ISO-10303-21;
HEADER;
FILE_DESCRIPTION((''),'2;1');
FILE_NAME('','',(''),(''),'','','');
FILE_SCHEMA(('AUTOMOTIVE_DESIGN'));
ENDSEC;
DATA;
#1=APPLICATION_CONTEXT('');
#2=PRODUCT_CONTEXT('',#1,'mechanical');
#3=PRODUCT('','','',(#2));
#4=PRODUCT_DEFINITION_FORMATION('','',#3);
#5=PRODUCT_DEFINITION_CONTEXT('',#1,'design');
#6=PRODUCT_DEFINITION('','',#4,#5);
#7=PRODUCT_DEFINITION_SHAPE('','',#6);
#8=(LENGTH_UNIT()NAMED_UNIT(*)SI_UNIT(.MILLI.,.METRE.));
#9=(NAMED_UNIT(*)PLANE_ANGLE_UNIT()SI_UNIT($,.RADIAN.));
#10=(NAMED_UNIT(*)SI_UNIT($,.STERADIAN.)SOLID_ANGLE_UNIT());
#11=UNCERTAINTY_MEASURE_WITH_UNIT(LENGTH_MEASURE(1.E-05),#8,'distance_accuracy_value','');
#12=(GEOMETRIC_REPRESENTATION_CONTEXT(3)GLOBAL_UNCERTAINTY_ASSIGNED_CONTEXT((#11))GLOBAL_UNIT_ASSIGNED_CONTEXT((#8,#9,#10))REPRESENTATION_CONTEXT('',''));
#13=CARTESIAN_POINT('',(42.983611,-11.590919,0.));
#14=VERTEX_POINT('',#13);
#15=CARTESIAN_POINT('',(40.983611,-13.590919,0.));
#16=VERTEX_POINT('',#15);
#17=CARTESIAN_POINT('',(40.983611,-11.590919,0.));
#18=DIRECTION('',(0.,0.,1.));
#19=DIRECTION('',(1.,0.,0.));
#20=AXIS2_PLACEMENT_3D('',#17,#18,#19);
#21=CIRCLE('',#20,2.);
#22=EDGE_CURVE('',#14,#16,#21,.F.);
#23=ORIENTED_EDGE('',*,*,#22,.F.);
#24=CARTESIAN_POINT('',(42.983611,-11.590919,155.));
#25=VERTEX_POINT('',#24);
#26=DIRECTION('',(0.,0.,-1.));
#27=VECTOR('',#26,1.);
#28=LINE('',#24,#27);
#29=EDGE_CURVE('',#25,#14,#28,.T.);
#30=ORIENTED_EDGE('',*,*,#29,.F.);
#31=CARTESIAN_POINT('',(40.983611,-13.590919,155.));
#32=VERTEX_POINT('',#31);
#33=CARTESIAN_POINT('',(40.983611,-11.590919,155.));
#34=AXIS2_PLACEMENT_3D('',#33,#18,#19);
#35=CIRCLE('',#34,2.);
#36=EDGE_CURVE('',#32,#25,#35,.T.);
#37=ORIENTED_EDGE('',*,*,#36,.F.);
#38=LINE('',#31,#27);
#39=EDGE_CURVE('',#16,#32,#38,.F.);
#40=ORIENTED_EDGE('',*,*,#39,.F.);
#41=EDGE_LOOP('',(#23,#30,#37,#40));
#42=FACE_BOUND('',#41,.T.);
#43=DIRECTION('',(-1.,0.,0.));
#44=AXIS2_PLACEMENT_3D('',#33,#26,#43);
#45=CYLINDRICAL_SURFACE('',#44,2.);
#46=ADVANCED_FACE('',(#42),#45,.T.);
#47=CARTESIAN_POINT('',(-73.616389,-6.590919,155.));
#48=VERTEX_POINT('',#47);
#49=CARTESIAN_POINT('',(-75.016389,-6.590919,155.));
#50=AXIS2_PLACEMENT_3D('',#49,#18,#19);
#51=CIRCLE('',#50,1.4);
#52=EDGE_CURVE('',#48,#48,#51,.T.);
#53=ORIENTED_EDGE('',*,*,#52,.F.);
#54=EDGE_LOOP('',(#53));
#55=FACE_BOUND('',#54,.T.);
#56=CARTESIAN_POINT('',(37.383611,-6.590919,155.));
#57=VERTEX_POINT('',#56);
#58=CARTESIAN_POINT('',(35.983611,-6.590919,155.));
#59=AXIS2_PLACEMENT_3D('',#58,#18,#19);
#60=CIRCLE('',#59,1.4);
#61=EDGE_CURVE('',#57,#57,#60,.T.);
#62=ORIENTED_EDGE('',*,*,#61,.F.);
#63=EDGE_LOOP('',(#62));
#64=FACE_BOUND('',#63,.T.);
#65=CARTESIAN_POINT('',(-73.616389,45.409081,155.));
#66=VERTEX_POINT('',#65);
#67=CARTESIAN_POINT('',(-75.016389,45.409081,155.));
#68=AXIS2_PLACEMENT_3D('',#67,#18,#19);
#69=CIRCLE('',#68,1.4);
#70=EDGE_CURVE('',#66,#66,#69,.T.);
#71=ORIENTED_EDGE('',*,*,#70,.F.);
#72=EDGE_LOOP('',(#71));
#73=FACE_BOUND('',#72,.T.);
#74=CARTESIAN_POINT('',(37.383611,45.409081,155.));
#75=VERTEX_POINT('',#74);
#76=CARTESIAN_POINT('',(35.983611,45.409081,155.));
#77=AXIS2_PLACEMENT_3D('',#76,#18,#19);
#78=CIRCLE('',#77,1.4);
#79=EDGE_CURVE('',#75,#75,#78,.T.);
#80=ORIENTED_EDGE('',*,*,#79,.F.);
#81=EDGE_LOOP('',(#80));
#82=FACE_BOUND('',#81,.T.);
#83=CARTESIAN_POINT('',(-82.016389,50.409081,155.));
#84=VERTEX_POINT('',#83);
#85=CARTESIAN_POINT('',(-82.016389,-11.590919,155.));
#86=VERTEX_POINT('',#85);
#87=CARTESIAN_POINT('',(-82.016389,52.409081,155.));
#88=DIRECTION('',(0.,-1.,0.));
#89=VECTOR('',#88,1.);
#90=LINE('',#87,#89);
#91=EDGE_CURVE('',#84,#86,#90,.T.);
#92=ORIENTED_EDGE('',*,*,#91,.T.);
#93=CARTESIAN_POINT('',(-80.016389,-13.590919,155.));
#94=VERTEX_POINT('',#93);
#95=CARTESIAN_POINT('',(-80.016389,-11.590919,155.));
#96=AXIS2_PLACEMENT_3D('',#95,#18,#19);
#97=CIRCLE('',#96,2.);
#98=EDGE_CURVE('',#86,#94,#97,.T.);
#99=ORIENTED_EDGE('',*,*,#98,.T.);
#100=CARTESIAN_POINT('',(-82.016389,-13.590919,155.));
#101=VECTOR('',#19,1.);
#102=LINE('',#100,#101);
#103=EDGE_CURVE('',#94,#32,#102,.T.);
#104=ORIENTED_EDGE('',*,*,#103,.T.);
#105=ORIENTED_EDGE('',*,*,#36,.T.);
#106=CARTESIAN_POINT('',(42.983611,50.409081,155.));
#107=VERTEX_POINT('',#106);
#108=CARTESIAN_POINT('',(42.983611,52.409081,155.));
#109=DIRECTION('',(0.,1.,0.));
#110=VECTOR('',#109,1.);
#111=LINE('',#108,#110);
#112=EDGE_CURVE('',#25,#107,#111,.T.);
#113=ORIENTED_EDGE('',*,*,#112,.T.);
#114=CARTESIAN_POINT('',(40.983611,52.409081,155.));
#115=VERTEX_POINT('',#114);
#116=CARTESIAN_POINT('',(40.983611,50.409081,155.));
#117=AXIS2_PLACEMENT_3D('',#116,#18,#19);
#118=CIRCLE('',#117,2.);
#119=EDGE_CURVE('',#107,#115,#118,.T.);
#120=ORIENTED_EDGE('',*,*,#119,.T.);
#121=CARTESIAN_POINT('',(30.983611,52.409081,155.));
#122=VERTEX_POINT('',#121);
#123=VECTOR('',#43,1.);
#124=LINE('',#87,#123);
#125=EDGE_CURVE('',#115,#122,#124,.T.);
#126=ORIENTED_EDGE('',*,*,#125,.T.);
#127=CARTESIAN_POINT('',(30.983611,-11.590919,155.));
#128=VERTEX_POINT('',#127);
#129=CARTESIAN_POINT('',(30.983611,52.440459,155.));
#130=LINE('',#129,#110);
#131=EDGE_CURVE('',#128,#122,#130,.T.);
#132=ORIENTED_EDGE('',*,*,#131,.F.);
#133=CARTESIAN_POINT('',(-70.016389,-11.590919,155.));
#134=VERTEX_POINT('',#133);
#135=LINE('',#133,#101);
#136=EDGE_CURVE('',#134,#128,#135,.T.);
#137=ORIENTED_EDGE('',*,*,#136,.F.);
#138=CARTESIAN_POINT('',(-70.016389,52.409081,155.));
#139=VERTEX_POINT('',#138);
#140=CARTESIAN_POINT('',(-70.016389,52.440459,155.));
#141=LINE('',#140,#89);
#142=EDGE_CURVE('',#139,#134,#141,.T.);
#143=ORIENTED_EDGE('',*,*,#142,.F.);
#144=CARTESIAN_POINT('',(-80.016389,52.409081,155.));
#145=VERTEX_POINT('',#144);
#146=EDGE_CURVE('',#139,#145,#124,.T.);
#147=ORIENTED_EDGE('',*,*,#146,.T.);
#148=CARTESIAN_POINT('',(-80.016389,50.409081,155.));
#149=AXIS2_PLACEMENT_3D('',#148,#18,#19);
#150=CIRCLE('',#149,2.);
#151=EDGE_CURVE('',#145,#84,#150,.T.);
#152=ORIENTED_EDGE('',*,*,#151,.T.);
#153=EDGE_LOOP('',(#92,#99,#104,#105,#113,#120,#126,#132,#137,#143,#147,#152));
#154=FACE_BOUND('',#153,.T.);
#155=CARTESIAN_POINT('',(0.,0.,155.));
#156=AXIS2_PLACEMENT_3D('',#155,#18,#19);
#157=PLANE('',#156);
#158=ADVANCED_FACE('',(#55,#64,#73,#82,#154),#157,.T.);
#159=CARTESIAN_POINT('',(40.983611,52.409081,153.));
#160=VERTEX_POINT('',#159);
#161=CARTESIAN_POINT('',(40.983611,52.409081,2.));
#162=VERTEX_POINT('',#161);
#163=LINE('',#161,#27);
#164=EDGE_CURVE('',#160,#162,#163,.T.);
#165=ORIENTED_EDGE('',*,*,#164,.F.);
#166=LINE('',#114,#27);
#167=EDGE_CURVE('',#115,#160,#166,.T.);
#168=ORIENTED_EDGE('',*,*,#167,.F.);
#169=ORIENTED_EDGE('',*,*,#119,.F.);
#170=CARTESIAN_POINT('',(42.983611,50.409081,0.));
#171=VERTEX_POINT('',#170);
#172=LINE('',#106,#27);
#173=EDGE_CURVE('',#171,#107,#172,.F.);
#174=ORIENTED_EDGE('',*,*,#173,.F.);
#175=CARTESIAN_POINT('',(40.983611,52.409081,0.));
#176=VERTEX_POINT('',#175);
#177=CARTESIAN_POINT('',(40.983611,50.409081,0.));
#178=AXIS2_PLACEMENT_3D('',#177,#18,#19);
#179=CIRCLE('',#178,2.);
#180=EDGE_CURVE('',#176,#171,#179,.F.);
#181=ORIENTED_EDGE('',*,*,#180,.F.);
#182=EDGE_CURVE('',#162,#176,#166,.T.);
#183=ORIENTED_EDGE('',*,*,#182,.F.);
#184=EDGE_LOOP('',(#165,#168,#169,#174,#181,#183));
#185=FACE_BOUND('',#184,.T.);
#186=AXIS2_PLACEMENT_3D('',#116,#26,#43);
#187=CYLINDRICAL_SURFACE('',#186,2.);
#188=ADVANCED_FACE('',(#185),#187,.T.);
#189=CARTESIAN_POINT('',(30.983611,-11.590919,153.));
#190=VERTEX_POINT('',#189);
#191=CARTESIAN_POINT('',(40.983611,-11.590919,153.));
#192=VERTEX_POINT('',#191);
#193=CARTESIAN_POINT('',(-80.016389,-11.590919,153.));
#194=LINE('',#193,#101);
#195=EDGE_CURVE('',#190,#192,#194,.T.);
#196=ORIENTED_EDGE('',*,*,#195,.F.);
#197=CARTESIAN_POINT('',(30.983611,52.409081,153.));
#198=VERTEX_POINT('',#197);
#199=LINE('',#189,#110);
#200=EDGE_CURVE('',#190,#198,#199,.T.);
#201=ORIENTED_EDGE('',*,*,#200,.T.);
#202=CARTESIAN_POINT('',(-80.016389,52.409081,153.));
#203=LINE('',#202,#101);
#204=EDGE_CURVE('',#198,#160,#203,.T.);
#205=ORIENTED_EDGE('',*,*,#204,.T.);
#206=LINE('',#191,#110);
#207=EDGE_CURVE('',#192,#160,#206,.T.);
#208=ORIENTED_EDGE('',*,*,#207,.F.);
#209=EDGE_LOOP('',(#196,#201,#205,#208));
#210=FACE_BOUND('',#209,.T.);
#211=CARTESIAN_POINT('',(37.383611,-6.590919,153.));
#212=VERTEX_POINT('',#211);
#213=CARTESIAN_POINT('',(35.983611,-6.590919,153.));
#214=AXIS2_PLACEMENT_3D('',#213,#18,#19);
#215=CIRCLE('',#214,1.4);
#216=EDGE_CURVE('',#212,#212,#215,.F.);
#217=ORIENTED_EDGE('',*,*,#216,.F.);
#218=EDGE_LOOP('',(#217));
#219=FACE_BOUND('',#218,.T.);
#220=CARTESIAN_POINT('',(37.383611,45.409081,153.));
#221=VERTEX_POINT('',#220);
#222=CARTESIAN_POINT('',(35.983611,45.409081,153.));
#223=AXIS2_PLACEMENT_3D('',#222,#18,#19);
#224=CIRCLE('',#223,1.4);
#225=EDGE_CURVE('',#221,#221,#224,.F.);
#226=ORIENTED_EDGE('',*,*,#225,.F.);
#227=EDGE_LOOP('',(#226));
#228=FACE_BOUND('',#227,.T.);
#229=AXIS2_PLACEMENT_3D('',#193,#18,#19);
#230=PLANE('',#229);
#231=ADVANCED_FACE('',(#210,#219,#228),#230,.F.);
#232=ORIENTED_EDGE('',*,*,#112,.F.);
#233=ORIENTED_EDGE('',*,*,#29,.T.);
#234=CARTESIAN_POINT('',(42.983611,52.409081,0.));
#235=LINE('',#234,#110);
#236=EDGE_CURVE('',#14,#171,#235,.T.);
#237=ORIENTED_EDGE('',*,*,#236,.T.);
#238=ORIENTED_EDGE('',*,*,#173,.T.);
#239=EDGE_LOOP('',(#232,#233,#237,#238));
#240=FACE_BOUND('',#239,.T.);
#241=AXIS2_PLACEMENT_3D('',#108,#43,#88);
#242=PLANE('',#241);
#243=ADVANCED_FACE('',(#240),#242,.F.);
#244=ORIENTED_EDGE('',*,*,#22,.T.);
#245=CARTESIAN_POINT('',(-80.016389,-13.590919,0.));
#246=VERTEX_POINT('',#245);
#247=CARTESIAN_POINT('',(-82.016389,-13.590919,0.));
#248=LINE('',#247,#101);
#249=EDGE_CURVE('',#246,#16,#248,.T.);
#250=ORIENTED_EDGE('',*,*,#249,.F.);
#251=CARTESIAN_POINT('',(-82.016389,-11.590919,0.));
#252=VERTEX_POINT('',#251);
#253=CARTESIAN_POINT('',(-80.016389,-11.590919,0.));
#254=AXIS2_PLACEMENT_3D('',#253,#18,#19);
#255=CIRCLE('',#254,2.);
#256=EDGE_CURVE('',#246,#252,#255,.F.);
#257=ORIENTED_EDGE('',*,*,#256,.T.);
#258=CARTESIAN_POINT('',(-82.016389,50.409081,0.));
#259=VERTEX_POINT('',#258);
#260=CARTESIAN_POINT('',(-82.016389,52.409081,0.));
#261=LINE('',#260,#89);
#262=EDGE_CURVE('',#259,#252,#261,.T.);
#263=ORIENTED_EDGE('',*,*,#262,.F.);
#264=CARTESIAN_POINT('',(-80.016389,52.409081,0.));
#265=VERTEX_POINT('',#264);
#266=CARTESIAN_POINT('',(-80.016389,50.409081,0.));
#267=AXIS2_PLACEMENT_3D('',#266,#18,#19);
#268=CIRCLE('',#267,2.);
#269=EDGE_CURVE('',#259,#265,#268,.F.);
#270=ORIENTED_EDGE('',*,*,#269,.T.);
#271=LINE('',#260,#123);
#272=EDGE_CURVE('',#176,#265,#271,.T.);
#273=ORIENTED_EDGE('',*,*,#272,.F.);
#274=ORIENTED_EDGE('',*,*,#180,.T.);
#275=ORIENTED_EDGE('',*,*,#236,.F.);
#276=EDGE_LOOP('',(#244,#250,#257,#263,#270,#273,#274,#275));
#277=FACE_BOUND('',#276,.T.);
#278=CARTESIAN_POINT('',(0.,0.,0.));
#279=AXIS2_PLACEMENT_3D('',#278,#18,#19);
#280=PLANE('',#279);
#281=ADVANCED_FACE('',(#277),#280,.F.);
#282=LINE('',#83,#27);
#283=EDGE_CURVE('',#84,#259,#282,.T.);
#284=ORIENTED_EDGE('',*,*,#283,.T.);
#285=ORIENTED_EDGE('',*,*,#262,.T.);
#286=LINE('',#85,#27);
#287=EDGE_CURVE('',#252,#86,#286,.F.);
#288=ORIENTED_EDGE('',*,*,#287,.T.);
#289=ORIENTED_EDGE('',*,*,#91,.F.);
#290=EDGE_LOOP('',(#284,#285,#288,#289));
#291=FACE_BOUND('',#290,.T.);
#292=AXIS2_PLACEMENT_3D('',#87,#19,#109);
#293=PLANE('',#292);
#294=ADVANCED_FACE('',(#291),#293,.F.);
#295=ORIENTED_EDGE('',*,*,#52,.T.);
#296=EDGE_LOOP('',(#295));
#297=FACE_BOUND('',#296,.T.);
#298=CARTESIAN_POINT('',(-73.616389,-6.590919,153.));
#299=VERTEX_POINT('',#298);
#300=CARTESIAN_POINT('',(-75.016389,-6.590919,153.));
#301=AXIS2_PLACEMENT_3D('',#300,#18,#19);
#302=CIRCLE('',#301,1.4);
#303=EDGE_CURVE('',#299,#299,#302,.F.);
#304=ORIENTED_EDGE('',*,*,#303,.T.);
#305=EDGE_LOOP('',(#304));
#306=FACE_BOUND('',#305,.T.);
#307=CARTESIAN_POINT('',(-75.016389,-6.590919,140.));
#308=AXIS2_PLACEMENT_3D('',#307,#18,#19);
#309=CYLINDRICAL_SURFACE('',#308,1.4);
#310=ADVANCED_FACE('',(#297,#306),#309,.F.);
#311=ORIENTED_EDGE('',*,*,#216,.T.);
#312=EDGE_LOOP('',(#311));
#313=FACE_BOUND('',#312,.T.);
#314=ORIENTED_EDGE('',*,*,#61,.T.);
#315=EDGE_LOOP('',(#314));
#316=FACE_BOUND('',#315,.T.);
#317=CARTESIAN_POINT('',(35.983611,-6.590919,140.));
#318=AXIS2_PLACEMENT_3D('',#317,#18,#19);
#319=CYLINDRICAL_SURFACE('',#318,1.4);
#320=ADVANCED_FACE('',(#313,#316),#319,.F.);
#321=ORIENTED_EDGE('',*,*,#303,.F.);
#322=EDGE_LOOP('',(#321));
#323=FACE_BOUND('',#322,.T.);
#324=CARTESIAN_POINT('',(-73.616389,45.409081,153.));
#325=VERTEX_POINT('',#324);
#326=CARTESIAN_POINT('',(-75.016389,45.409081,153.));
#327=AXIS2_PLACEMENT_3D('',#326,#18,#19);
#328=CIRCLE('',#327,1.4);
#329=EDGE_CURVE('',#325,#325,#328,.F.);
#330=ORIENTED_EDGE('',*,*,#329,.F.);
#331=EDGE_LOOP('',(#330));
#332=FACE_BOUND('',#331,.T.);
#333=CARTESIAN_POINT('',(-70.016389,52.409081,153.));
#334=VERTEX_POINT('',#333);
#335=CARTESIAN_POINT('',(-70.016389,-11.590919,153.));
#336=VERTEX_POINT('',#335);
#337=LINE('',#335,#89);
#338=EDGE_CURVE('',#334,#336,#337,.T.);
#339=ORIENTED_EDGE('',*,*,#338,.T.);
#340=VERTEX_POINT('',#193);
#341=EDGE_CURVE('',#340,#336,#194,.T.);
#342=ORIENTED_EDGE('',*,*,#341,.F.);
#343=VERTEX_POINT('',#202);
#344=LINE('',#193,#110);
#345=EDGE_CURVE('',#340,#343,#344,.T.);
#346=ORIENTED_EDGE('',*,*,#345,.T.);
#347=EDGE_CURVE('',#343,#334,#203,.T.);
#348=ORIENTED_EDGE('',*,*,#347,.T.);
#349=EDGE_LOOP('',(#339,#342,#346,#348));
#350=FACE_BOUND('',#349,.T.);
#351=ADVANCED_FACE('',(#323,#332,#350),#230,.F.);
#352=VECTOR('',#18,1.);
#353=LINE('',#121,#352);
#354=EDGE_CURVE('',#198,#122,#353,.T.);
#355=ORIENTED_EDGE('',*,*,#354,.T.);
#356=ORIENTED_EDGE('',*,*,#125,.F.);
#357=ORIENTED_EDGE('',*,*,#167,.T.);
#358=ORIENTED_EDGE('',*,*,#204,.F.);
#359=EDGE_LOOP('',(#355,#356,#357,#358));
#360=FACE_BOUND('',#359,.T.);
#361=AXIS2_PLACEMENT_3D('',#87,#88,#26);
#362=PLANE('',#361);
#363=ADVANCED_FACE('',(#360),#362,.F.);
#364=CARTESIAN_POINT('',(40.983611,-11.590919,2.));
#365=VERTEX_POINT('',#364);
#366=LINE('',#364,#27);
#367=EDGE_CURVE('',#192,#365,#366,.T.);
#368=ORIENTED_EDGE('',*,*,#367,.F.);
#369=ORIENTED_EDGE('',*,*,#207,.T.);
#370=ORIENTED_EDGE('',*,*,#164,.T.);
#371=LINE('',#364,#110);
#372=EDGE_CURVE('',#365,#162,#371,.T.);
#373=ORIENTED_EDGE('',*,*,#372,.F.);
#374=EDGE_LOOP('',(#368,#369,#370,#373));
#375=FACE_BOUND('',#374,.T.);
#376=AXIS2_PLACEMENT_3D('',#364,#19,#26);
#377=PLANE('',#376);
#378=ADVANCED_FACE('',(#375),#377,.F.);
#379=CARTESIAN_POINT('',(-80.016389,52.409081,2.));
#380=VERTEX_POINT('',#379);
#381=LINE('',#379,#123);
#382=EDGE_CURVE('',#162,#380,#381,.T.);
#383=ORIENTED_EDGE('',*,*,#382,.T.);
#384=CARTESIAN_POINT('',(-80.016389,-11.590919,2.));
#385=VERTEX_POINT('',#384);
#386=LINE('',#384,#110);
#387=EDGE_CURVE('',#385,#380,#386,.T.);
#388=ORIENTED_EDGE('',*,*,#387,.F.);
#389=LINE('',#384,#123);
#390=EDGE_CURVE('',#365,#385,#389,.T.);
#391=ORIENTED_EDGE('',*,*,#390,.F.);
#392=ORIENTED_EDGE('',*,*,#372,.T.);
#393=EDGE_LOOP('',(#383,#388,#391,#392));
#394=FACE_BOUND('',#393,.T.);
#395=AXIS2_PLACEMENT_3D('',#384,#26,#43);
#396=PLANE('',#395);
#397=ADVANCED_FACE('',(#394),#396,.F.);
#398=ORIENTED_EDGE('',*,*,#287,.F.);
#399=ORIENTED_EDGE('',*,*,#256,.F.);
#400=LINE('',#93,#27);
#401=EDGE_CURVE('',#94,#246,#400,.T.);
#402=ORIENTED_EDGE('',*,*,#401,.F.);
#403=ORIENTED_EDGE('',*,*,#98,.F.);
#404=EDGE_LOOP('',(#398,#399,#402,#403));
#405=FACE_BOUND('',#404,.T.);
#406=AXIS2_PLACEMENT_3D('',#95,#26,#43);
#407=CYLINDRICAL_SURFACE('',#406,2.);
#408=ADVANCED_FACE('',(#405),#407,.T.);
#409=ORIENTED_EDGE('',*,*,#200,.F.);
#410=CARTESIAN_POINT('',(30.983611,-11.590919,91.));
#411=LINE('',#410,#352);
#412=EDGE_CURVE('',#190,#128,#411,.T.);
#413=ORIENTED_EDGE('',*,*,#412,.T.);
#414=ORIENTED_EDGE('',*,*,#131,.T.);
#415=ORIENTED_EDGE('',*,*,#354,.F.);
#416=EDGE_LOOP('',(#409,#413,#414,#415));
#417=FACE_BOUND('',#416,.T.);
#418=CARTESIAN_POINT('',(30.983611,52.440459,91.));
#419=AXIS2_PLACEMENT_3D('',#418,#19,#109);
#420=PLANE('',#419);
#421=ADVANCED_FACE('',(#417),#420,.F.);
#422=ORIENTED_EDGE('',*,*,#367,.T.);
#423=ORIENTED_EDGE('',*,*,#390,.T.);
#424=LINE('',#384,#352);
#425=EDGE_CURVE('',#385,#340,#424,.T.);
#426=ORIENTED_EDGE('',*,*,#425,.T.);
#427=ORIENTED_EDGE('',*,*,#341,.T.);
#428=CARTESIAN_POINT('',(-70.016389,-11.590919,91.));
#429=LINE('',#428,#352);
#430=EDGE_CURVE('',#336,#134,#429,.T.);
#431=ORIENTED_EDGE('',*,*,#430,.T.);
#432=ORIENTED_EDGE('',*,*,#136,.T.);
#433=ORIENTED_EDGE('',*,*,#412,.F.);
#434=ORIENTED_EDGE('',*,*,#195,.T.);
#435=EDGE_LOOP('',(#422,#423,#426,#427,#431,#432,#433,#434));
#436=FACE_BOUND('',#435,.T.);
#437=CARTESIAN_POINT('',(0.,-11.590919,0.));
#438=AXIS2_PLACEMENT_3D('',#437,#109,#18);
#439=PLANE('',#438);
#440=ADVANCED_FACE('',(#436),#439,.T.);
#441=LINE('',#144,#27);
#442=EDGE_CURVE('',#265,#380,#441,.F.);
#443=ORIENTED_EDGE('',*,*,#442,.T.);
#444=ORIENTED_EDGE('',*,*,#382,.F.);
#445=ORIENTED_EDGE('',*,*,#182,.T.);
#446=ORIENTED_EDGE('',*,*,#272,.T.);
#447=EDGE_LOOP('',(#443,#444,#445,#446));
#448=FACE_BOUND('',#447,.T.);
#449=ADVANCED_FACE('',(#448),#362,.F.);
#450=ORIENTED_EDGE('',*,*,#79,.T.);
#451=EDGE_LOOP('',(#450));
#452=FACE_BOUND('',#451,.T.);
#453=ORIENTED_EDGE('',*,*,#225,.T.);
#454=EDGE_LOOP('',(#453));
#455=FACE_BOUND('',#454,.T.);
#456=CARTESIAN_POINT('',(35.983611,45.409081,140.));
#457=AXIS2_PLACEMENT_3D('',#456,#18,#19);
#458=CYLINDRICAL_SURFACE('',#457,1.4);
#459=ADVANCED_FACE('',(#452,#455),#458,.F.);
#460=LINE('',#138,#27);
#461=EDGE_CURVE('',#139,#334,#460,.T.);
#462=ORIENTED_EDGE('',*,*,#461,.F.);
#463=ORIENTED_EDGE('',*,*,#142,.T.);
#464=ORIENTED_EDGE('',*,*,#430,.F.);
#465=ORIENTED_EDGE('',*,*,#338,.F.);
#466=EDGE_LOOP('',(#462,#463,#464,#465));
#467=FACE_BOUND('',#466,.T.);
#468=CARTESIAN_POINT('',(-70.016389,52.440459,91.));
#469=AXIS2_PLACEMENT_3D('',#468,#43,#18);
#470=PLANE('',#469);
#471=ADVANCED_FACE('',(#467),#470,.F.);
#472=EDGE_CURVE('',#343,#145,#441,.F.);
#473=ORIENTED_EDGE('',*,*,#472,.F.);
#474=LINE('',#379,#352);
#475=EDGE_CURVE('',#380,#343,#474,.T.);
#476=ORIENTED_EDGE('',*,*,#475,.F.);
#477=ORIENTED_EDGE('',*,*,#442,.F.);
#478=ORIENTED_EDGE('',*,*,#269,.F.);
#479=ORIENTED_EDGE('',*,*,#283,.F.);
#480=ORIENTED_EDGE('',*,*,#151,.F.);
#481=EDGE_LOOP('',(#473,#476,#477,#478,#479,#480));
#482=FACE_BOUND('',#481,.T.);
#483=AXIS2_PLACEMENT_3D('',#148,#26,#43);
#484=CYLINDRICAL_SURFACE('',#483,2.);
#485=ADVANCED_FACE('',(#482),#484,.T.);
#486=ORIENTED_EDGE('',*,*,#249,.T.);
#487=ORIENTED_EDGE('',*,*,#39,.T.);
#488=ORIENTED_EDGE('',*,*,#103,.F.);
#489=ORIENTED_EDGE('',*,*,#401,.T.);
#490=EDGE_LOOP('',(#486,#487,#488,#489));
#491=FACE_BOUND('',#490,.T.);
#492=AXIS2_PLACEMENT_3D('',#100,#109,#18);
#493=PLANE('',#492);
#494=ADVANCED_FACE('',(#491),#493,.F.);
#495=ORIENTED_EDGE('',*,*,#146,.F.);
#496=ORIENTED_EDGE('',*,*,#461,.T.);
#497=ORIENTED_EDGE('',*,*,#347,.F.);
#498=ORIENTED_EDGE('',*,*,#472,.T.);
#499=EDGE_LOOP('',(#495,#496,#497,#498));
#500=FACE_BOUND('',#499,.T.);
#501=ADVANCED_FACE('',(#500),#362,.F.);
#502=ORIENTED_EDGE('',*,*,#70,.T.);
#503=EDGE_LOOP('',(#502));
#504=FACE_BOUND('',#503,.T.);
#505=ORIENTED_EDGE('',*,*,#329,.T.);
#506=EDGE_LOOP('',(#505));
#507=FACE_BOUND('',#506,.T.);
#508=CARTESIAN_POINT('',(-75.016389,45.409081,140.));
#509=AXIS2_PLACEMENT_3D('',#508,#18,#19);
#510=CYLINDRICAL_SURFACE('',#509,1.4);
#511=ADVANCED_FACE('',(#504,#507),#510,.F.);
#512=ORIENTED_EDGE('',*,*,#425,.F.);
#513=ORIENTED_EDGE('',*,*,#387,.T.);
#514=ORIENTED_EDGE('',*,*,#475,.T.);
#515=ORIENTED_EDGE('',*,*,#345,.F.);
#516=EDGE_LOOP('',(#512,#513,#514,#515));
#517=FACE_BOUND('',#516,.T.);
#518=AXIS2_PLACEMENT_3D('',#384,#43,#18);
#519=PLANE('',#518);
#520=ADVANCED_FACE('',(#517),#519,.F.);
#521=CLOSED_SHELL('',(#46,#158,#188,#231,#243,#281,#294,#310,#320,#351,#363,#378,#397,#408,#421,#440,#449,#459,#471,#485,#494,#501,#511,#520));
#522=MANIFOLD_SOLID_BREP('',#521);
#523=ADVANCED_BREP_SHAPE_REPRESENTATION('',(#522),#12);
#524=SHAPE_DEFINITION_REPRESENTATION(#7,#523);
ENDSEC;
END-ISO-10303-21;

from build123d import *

# Parameters (mm, degrees)
SKETCH1_W           = 125
SKETCH1_H           = 66
BOSS_EXTRUDE1_DEPTH = 155
FILLET1_R           = 2
SKETCH7_R           = 1.4
CUT_EXTRUDE4_DEPTH  = 15
SKETCH4_W           = 121
SKETCH4_H           = 151
CUT_EXTRUDE5_DEPTH  = 64
SKETCH8_W           = 101
SKETCH8_H           = 64.031377795
CUT_EXTRUDE6_DEPTH  = 64


with BuildPart() as part:
    # Sketch1 → Boss-Extrude1 (new body)
    with BuildSketch(Plane.XY):
        with Locations((-19.516389056, 19.409080835)):
            Rectangle(SKETCH1_W, SKETCH1_H)
    extrude(amount=BOSS_EXTRUDE1_DEPTH)

    # Fillet1
    fillet1_edges = [part.edges().sort_by_distance(p)[0] for p in [
        (-82.016389056, 52.409080835, 77.5),
        (42.983610944, 52.409080835, 77.5),
        (42.983610944, -13.590919165, 77.5),
        (-82.016389056, -13.590919165, 77.5),
    ]]
    fillet(fillet1_edges, radius=FILLET1_R)

    # Sketch7 → Cut-Extrude4 (cut)
    with BuildSketch(Plane.XY.offset(155)):
        with Locations((-75.016389056, 45.409080835)):
            Circle(SKETCH7_R)
        with Locations((-75.016389056, -6.590919165)):
            Circle(SKETCH7_R)
        with Locations((35.983610944, -6.590919165)):
            Circle(SKETCH7_R)
        with Locations((35.983610944, 45.409080835)):
            Circle(SKETCH7_R)
    extrude(amount=-CUT_EXTRUDE4_DEPTH, mode=Mode.SUBTRACT)

    # Sketch4 → Cut-Extrude5 (cut)
    with BuildSketch(Plane(origin=(0, 52.409080835, 0), x_dir=(1, 0, 0), z_dir=(0, 1, 0))):
        with Locations((-19.516389056, -77.5)):
            Rectangle(SKETCH4_W, SKETCH4_H)
    extrude(amount=-CUT_EXTRUDE5_DEPTH, mode=Mode.SUBTRACT)

    # Sketch8 → Cut-Extrude6 (cut)
    with BuildSketch(Plane.XY.offset(155)):
        with Locations((-19.516389056, 20.424769732)):
            Rectangle(SKETCH8_W, SKETCH8_H)
    extrude(amount=-CUT_EXTRUDE6_DEPTH, mode=Mode.SUBTRACT)


solid = part.part
